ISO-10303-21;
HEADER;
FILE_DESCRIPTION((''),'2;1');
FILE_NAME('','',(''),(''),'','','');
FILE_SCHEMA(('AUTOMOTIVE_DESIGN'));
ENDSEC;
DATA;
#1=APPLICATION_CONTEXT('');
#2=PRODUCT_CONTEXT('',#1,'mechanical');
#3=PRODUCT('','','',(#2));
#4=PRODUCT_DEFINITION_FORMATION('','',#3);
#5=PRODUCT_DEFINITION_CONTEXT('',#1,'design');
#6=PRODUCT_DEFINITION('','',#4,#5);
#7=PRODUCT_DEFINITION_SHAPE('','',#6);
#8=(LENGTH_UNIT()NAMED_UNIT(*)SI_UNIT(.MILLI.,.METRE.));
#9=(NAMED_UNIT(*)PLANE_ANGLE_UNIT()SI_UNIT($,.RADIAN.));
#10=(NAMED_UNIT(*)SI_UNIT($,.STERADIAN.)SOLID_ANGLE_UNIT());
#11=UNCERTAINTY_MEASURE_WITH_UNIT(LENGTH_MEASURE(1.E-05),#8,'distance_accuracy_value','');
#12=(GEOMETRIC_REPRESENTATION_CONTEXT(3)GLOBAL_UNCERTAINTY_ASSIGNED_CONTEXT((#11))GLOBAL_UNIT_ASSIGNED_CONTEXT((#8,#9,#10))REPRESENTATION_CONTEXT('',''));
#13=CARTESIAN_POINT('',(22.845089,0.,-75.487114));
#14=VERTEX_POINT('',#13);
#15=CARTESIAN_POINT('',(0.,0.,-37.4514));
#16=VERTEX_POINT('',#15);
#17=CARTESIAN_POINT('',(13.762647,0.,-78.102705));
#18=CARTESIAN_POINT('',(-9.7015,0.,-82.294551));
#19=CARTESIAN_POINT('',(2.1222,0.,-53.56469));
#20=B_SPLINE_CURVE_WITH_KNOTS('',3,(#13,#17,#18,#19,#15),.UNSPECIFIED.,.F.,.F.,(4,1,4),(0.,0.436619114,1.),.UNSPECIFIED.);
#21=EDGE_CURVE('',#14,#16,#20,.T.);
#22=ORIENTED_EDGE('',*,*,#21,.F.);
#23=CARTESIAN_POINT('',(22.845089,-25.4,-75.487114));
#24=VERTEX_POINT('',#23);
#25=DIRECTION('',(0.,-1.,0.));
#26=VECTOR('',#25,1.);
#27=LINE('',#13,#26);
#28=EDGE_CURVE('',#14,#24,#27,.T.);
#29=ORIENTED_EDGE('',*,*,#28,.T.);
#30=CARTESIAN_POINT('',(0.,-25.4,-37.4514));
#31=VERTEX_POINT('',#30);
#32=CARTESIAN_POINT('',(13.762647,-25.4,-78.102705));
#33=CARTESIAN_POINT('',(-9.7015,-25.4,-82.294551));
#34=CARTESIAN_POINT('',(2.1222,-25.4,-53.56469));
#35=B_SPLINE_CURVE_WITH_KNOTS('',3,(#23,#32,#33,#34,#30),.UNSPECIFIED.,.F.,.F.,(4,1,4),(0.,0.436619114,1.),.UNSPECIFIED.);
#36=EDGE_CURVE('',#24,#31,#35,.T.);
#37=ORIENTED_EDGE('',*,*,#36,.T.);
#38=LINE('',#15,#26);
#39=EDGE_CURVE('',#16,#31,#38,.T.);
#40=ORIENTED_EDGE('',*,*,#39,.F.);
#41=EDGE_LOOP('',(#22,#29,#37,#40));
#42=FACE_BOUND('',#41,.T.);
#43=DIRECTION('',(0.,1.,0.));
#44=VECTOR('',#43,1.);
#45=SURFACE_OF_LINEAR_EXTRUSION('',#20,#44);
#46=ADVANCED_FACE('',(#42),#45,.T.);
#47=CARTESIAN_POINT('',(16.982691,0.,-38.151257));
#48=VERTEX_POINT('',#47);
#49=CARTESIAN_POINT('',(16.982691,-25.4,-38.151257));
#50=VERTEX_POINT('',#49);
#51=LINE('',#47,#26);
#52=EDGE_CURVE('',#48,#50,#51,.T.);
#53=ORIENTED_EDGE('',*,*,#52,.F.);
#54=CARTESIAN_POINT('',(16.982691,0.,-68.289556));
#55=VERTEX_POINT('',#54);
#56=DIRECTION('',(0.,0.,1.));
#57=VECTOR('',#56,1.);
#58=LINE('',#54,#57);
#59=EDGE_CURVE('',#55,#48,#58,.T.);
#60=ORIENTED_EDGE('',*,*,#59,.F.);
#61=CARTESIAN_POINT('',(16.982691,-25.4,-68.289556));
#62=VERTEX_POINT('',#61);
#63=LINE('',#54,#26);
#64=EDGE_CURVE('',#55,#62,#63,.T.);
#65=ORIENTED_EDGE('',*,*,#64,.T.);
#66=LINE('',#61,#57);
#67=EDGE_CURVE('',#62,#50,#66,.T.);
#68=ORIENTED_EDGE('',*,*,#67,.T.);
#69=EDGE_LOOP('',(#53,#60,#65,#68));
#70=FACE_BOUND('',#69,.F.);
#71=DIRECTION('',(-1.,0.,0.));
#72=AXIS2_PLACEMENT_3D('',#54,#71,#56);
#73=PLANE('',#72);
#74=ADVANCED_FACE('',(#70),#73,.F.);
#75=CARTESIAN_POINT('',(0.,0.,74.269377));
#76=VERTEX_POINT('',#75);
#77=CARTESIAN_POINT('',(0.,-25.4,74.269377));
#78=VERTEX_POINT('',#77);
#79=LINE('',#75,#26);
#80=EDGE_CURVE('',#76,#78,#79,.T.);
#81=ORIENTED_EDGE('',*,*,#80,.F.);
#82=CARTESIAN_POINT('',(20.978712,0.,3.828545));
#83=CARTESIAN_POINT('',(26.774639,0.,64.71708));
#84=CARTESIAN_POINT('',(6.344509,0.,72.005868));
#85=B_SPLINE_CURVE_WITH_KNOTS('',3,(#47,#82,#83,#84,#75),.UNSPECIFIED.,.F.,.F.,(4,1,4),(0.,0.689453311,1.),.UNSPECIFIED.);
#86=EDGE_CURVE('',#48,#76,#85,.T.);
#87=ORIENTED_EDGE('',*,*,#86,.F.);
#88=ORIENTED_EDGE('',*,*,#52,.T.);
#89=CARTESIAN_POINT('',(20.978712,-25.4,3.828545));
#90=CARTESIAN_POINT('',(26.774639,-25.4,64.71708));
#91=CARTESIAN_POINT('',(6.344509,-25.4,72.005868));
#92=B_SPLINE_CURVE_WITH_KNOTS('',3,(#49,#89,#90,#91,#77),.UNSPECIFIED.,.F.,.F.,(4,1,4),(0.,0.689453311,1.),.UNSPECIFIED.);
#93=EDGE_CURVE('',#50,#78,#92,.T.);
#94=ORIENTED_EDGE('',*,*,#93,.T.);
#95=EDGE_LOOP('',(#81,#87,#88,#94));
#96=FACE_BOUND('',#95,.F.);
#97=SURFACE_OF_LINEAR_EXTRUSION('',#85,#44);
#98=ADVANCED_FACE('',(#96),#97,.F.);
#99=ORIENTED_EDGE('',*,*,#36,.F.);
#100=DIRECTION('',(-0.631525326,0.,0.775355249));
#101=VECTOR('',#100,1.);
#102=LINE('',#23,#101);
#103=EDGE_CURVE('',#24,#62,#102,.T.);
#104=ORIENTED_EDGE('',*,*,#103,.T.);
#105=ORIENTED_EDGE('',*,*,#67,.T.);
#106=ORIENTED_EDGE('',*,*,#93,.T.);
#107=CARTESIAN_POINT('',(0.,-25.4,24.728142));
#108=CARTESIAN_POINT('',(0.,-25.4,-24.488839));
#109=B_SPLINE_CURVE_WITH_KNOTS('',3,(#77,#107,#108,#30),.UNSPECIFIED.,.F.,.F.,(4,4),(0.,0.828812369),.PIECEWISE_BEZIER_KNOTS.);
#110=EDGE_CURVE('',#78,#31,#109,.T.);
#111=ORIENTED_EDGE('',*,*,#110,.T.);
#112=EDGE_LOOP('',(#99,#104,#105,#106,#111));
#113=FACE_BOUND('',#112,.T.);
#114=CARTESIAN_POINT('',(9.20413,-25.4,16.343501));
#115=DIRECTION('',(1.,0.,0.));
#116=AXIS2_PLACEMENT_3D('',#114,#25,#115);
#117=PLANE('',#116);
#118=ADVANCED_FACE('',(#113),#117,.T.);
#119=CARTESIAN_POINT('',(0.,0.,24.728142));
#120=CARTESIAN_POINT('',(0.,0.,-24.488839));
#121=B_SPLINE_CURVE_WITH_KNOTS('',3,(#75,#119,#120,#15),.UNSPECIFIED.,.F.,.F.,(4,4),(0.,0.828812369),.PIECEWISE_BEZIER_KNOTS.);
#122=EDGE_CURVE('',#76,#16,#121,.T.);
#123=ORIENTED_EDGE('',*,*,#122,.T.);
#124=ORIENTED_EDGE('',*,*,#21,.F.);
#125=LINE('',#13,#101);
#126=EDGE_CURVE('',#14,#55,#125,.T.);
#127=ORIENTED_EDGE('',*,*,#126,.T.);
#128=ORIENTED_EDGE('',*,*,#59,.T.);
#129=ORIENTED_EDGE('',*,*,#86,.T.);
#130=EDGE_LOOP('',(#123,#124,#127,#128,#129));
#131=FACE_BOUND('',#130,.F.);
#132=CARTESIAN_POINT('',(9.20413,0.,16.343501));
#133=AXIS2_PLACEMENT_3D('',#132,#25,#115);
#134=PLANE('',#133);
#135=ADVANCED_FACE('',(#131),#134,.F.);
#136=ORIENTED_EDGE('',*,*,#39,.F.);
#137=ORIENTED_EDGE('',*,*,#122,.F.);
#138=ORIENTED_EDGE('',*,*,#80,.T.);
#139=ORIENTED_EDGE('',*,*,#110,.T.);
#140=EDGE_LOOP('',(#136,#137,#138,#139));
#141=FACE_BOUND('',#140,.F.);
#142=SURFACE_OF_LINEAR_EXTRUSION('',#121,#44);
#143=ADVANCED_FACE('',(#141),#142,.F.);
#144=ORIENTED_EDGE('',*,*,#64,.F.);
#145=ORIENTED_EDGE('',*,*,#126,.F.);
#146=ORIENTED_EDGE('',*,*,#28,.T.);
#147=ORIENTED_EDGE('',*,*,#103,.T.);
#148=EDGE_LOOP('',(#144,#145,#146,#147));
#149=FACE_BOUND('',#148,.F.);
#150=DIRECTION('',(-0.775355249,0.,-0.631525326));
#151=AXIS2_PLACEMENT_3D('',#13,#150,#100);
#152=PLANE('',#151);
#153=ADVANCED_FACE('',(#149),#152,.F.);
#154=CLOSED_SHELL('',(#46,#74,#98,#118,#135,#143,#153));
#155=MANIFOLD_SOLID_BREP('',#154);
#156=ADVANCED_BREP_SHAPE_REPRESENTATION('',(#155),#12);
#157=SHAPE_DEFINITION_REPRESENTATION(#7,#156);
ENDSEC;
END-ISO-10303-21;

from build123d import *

# Parameters (mm, degrees)
F1_DEPTH = 25.4


with BuildPart() as f1:
    # F0 (on Front) → F1 (new body)
    with BuildSketch(Plane.XZ):
        with BuildLine():
            Line((0, -37.4513999058), (16.9826913625, -38.1512567401))
            add(Edge.make_bspline(
                [(16.9826913625, -38.1512567401), (20.9787122213, 3.8285452105), (26.7746389264, 64.7170800315), (6.3445091518, 72.0058677914), (0, 74.2693766952)],
                knots=[0, 0, 0, 0, 0.6894533113, 1, 1, 1, 1], degree=3))
            add(Edge.make_bspline(
                [(0, 74.2693766952), (0, 24.7281422659), (0, -24.4888391417), (0, -37.4513999058)],
                knots=[0, 0, 0, 0, 0.8288123693, 0.8288123693, 0.8288123693, 0.8288123693], degree=3))
        make_face()
        with BuildLine():
            Line((16.9826913625, -68.2895556092), (16.9826913625, -38.1512567401))
            Line((16.9826913625, -38.1512567401), (0, -37.4513999058))
            add(Edge.make_bspline(
                [(22.8450887205, -75.4871142477), (13.7626473838, -78.1027045536), (-9.7014996157, -82.2945510258), (2.1221999625, -53.5646899875), (0, -37.4513999058)],
                knots=[0, 0, 0, 0, 0.4366191142, 1, 1, 1, 1], degree=3))
            Line((22.8450887205, -75.4871142477), (16.9826913625, -68.2895556092))
        make_face()
    extrude(amount=F1_DEPTH)


solid = f1.part
